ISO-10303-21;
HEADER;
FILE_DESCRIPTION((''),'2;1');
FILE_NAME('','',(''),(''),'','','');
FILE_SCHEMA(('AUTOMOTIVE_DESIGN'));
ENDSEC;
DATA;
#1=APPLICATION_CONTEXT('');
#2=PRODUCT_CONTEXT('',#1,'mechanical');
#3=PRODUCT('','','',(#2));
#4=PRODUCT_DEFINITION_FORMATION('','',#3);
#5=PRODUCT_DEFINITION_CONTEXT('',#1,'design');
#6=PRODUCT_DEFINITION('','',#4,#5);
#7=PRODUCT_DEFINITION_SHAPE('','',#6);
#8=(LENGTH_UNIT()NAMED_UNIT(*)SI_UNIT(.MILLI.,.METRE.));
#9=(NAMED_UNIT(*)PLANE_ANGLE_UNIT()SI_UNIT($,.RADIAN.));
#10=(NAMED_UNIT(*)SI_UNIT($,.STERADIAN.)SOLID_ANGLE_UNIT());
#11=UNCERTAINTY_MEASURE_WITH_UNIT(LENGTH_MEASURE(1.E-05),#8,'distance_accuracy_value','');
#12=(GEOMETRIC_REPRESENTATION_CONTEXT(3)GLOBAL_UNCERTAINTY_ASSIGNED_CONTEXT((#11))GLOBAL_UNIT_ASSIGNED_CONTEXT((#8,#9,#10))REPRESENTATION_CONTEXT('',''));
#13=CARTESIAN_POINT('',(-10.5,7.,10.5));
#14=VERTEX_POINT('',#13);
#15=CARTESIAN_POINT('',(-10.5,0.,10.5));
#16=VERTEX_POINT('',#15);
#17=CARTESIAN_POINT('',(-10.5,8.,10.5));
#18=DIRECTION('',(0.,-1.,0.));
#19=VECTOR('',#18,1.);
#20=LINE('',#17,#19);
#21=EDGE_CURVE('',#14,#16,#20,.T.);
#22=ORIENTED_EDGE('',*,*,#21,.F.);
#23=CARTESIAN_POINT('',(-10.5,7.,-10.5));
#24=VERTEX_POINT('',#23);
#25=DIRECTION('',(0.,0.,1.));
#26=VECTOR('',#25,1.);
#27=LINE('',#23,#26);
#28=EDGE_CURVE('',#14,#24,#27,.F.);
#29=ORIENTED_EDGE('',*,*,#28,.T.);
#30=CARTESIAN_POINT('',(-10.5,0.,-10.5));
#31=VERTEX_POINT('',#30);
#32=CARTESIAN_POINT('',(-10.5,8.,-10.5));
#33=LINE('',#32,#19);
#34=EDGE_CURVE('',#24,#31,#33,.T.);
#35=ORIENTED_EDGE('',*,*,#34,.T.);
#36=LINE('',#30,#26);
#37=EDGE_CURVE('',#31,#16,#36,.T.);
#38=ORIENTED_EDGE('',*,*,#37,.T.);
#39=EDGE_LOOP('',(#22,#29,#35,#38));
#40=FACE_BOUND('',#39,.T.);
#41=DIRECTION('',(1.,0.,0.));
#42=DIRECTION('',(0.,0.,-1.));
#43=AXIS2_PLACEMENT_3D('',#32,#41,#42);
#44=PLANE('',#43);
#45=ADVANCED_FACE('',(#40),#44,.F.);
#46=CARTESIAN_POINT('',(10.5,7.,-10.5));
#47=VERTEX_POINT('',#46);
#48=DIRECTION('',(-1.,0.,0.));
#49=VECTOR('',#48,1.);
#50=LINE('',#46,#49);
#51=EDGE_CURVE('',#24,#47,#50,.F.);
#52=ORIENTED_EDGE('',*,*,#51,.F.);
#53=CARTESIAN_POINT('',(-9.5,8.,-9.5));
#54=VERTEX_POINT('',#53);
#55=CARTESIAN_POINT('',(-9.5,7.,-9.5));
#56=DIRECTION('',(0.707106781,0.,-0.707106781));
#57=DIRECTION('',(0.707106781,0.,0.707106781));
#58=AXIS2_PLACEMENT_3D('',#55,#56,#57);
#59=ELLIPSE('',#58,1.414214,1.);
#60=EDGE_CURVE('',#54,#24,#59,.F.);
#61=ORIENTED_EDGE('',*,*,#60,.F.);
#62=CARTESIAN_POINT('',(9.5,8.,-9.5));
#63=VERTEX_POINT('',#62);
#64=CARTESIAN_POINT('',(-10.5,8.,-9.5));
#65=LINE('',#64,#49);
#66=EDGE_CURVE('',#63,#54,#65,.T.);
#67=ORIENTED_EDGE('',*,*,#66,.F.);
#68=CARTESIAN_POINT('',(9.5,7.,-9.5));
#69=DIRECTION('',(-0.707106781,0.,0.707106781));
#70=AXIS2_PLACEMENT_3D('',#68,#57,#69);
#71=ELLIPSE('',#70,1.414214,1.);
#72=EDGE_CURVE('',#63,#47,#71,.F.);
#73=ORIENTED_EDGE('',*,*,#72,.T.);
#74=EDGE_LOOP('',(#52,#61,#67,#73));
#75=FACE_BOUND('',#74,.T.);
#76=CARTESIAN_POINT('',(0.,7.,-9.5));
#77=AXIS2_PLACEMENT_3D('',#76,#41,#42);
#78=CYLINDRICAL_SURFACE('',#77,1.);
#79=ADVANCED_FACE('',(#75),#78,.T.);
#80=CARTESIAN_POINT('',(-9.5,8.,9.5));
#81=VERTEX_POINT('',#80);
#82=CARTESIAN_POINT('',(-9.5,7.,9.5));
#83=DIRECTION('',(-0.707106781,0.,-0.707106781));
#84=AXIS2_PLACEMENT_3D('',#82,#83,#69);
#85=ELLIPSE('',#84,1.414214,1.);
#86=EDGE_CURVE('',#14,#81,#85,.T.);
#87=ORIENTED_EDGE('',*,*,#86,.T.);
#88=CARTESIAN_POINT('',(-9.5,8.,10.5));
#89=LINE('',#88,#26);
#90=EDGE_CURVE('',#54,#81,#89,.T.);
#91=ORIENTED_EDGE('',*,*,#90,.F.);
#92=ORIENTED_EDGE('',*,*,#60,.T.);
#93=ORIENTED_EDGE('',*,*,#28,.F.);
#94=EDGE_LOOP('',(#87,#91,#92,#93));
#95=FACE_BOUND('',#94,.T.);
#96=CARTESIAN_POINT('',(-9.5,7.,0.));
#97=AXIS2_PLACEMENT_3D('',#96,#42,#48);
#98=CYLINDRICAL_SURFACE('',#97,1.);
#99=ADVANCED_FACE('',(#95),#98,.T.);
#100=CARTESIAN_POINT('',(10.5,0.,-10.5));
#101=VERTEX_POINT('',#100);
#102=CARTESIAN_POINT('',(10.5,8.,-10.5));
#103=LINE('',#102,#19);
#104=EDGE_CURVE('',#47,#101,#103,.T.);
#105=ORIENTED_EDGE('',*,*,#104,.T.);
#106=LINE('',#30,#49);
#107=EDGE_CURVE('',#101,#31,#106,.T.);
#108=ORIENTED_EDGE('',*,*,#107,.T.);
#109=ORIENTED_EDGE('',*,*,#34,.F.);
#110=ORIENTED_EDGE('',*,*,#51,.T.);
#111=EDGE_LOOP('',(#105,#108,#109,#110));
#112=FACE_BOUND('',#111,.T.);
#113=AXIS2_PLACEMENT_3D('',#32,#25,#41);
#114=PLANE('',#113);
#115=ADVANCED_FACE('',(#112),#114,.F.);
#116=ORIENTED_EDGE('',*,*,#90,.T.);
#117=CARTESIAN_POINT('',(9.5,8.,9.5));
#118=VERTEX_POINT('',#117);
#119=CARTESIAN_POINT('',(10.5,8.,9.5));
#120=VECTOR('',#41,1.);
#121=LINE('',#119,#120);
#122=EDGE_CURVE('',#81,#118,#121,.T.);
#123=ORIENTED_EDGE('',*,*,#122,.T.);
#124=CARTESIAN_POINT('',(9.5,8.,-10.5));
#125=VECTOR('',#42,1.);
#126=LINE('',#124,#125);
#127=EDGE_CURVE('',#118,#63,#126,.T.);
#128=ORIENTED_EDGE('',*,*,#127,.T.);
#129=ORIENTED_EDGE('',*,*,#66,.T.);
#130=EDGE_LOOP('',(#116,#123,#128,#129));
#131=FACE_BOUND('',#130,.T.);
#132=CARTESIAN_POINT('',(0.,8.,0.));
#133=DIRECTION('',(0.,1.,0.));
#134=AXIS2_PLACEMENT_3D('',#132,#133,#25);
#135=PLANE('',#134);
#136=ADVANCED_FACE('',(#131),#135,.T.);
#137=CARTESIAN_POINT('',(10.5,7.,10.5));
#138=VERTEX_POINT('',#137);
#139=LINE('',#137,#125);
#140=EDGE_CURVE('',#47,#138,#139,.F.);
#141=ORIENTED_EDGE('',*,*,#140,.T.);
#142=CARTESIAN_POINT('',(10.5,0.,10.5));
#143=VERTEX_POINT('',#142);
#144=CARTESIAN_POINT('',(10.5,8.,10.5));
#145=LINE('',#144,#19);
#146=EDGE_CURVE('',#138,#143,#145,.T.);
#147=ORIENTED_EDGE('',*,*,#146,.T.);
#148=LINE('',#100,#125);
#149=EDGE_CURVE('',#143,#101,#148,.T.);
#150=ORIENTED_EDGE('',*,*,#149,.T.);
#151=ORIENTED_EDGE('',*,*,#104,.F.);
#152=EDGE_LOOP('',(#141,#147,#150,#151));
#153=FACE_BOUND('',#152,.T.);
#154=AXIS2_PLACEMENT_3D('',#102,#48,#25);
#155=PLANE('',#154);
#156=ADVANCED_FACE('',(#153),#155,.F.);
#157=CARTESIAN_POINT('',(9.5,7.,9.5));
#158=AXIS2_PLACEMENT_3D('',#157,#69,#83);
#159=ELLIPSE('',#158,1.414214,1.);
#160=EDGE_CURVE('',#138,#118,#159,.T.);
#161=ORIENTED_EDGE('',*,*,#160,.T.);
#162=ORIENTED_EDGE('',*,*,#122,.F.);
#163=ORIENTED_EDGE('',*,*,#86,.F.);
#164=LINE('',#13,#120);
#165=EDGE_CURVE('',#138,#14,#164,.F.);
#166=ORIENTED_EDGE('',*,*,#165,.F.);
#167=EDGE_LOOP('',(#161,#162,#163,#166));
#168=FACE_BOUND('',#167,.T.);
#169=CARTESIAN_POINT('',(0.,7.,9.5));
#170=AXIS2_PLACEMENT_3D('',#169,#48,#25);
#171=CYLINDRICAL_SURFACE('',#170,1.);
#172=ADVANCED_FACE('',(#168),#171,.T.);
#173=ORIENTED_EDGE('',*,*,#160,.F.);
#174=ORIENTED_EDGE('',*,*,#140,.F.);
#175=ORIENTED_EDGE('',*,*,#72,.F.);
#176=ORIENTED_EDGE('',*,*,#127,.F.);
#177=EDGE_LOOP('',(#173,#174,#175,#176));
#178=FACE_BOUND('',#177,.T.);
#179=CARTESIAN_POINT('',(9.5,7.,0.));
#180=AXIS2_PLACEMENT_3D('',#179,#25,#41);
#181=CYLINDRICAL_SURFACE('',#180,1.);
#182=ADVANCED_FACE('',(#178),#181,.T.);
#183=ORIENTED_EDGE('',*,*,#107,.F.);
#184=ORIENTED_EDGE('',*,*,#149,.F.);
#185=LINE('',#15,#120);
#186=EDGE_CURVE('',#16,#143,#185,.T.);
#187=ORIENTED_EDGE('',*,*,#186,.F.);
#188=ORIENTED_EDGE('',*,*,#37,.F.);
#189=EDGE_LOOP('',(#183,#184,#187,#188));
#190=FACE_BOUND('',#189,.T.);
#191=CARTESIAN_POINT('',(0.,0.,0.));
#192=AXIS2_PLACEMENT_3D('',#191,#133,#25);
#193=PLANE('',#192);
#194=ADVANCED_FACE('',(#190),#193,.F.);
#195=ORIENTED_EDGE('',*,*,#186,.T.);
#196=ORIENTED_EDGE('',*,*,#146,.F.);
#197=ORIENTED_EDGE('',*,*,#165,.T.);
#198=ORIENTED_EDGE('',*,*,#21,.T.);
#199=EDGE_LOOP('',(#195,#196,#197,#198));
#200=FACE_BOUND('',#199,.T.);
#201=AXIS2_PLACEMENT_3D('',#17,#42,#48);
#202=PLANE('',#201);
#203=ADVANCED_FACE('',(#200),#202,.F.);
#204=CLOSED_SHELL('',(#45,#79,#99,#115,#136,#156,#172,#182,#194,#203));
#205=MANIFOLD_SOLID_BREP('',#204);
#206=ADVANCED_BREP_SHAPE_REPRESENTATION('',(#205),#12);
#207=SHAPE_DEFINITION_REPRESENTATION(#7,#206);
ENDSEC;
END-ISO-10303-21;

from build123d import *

# Parameters (mm, degrees)
SKETCH1_W           = 21
SKETCH1_H           = 21
BOSS_EXTRUDE1_DEPTH = 8
FILLET1_R           = 1


with BuildPart() as part:
    # Sketch1 → Boss-Extrude1 (new body)
    with BuildSketch(Plane(origin=(0, 0, 0), x_dir=(1, 0, 0), z_dir=(0, 1, 0))):
        Rectangle(SKETCH1_W, SKETCH1_H)
    extrude(amount=BOSS_EXTRUDE1_DEPTH)

    # Fillet1
    fillet1_edges = [part.edges().sort_by_distance(p)[0] for p in [
        (-10.5, 8, 0),
        (0, 8, 10.5),
        (10.5, 8, 0),
        (0, 8, -10.5),
    ]]
    fillet(fillet1_edges, radius=FILLET1_R)


solid = part.part
